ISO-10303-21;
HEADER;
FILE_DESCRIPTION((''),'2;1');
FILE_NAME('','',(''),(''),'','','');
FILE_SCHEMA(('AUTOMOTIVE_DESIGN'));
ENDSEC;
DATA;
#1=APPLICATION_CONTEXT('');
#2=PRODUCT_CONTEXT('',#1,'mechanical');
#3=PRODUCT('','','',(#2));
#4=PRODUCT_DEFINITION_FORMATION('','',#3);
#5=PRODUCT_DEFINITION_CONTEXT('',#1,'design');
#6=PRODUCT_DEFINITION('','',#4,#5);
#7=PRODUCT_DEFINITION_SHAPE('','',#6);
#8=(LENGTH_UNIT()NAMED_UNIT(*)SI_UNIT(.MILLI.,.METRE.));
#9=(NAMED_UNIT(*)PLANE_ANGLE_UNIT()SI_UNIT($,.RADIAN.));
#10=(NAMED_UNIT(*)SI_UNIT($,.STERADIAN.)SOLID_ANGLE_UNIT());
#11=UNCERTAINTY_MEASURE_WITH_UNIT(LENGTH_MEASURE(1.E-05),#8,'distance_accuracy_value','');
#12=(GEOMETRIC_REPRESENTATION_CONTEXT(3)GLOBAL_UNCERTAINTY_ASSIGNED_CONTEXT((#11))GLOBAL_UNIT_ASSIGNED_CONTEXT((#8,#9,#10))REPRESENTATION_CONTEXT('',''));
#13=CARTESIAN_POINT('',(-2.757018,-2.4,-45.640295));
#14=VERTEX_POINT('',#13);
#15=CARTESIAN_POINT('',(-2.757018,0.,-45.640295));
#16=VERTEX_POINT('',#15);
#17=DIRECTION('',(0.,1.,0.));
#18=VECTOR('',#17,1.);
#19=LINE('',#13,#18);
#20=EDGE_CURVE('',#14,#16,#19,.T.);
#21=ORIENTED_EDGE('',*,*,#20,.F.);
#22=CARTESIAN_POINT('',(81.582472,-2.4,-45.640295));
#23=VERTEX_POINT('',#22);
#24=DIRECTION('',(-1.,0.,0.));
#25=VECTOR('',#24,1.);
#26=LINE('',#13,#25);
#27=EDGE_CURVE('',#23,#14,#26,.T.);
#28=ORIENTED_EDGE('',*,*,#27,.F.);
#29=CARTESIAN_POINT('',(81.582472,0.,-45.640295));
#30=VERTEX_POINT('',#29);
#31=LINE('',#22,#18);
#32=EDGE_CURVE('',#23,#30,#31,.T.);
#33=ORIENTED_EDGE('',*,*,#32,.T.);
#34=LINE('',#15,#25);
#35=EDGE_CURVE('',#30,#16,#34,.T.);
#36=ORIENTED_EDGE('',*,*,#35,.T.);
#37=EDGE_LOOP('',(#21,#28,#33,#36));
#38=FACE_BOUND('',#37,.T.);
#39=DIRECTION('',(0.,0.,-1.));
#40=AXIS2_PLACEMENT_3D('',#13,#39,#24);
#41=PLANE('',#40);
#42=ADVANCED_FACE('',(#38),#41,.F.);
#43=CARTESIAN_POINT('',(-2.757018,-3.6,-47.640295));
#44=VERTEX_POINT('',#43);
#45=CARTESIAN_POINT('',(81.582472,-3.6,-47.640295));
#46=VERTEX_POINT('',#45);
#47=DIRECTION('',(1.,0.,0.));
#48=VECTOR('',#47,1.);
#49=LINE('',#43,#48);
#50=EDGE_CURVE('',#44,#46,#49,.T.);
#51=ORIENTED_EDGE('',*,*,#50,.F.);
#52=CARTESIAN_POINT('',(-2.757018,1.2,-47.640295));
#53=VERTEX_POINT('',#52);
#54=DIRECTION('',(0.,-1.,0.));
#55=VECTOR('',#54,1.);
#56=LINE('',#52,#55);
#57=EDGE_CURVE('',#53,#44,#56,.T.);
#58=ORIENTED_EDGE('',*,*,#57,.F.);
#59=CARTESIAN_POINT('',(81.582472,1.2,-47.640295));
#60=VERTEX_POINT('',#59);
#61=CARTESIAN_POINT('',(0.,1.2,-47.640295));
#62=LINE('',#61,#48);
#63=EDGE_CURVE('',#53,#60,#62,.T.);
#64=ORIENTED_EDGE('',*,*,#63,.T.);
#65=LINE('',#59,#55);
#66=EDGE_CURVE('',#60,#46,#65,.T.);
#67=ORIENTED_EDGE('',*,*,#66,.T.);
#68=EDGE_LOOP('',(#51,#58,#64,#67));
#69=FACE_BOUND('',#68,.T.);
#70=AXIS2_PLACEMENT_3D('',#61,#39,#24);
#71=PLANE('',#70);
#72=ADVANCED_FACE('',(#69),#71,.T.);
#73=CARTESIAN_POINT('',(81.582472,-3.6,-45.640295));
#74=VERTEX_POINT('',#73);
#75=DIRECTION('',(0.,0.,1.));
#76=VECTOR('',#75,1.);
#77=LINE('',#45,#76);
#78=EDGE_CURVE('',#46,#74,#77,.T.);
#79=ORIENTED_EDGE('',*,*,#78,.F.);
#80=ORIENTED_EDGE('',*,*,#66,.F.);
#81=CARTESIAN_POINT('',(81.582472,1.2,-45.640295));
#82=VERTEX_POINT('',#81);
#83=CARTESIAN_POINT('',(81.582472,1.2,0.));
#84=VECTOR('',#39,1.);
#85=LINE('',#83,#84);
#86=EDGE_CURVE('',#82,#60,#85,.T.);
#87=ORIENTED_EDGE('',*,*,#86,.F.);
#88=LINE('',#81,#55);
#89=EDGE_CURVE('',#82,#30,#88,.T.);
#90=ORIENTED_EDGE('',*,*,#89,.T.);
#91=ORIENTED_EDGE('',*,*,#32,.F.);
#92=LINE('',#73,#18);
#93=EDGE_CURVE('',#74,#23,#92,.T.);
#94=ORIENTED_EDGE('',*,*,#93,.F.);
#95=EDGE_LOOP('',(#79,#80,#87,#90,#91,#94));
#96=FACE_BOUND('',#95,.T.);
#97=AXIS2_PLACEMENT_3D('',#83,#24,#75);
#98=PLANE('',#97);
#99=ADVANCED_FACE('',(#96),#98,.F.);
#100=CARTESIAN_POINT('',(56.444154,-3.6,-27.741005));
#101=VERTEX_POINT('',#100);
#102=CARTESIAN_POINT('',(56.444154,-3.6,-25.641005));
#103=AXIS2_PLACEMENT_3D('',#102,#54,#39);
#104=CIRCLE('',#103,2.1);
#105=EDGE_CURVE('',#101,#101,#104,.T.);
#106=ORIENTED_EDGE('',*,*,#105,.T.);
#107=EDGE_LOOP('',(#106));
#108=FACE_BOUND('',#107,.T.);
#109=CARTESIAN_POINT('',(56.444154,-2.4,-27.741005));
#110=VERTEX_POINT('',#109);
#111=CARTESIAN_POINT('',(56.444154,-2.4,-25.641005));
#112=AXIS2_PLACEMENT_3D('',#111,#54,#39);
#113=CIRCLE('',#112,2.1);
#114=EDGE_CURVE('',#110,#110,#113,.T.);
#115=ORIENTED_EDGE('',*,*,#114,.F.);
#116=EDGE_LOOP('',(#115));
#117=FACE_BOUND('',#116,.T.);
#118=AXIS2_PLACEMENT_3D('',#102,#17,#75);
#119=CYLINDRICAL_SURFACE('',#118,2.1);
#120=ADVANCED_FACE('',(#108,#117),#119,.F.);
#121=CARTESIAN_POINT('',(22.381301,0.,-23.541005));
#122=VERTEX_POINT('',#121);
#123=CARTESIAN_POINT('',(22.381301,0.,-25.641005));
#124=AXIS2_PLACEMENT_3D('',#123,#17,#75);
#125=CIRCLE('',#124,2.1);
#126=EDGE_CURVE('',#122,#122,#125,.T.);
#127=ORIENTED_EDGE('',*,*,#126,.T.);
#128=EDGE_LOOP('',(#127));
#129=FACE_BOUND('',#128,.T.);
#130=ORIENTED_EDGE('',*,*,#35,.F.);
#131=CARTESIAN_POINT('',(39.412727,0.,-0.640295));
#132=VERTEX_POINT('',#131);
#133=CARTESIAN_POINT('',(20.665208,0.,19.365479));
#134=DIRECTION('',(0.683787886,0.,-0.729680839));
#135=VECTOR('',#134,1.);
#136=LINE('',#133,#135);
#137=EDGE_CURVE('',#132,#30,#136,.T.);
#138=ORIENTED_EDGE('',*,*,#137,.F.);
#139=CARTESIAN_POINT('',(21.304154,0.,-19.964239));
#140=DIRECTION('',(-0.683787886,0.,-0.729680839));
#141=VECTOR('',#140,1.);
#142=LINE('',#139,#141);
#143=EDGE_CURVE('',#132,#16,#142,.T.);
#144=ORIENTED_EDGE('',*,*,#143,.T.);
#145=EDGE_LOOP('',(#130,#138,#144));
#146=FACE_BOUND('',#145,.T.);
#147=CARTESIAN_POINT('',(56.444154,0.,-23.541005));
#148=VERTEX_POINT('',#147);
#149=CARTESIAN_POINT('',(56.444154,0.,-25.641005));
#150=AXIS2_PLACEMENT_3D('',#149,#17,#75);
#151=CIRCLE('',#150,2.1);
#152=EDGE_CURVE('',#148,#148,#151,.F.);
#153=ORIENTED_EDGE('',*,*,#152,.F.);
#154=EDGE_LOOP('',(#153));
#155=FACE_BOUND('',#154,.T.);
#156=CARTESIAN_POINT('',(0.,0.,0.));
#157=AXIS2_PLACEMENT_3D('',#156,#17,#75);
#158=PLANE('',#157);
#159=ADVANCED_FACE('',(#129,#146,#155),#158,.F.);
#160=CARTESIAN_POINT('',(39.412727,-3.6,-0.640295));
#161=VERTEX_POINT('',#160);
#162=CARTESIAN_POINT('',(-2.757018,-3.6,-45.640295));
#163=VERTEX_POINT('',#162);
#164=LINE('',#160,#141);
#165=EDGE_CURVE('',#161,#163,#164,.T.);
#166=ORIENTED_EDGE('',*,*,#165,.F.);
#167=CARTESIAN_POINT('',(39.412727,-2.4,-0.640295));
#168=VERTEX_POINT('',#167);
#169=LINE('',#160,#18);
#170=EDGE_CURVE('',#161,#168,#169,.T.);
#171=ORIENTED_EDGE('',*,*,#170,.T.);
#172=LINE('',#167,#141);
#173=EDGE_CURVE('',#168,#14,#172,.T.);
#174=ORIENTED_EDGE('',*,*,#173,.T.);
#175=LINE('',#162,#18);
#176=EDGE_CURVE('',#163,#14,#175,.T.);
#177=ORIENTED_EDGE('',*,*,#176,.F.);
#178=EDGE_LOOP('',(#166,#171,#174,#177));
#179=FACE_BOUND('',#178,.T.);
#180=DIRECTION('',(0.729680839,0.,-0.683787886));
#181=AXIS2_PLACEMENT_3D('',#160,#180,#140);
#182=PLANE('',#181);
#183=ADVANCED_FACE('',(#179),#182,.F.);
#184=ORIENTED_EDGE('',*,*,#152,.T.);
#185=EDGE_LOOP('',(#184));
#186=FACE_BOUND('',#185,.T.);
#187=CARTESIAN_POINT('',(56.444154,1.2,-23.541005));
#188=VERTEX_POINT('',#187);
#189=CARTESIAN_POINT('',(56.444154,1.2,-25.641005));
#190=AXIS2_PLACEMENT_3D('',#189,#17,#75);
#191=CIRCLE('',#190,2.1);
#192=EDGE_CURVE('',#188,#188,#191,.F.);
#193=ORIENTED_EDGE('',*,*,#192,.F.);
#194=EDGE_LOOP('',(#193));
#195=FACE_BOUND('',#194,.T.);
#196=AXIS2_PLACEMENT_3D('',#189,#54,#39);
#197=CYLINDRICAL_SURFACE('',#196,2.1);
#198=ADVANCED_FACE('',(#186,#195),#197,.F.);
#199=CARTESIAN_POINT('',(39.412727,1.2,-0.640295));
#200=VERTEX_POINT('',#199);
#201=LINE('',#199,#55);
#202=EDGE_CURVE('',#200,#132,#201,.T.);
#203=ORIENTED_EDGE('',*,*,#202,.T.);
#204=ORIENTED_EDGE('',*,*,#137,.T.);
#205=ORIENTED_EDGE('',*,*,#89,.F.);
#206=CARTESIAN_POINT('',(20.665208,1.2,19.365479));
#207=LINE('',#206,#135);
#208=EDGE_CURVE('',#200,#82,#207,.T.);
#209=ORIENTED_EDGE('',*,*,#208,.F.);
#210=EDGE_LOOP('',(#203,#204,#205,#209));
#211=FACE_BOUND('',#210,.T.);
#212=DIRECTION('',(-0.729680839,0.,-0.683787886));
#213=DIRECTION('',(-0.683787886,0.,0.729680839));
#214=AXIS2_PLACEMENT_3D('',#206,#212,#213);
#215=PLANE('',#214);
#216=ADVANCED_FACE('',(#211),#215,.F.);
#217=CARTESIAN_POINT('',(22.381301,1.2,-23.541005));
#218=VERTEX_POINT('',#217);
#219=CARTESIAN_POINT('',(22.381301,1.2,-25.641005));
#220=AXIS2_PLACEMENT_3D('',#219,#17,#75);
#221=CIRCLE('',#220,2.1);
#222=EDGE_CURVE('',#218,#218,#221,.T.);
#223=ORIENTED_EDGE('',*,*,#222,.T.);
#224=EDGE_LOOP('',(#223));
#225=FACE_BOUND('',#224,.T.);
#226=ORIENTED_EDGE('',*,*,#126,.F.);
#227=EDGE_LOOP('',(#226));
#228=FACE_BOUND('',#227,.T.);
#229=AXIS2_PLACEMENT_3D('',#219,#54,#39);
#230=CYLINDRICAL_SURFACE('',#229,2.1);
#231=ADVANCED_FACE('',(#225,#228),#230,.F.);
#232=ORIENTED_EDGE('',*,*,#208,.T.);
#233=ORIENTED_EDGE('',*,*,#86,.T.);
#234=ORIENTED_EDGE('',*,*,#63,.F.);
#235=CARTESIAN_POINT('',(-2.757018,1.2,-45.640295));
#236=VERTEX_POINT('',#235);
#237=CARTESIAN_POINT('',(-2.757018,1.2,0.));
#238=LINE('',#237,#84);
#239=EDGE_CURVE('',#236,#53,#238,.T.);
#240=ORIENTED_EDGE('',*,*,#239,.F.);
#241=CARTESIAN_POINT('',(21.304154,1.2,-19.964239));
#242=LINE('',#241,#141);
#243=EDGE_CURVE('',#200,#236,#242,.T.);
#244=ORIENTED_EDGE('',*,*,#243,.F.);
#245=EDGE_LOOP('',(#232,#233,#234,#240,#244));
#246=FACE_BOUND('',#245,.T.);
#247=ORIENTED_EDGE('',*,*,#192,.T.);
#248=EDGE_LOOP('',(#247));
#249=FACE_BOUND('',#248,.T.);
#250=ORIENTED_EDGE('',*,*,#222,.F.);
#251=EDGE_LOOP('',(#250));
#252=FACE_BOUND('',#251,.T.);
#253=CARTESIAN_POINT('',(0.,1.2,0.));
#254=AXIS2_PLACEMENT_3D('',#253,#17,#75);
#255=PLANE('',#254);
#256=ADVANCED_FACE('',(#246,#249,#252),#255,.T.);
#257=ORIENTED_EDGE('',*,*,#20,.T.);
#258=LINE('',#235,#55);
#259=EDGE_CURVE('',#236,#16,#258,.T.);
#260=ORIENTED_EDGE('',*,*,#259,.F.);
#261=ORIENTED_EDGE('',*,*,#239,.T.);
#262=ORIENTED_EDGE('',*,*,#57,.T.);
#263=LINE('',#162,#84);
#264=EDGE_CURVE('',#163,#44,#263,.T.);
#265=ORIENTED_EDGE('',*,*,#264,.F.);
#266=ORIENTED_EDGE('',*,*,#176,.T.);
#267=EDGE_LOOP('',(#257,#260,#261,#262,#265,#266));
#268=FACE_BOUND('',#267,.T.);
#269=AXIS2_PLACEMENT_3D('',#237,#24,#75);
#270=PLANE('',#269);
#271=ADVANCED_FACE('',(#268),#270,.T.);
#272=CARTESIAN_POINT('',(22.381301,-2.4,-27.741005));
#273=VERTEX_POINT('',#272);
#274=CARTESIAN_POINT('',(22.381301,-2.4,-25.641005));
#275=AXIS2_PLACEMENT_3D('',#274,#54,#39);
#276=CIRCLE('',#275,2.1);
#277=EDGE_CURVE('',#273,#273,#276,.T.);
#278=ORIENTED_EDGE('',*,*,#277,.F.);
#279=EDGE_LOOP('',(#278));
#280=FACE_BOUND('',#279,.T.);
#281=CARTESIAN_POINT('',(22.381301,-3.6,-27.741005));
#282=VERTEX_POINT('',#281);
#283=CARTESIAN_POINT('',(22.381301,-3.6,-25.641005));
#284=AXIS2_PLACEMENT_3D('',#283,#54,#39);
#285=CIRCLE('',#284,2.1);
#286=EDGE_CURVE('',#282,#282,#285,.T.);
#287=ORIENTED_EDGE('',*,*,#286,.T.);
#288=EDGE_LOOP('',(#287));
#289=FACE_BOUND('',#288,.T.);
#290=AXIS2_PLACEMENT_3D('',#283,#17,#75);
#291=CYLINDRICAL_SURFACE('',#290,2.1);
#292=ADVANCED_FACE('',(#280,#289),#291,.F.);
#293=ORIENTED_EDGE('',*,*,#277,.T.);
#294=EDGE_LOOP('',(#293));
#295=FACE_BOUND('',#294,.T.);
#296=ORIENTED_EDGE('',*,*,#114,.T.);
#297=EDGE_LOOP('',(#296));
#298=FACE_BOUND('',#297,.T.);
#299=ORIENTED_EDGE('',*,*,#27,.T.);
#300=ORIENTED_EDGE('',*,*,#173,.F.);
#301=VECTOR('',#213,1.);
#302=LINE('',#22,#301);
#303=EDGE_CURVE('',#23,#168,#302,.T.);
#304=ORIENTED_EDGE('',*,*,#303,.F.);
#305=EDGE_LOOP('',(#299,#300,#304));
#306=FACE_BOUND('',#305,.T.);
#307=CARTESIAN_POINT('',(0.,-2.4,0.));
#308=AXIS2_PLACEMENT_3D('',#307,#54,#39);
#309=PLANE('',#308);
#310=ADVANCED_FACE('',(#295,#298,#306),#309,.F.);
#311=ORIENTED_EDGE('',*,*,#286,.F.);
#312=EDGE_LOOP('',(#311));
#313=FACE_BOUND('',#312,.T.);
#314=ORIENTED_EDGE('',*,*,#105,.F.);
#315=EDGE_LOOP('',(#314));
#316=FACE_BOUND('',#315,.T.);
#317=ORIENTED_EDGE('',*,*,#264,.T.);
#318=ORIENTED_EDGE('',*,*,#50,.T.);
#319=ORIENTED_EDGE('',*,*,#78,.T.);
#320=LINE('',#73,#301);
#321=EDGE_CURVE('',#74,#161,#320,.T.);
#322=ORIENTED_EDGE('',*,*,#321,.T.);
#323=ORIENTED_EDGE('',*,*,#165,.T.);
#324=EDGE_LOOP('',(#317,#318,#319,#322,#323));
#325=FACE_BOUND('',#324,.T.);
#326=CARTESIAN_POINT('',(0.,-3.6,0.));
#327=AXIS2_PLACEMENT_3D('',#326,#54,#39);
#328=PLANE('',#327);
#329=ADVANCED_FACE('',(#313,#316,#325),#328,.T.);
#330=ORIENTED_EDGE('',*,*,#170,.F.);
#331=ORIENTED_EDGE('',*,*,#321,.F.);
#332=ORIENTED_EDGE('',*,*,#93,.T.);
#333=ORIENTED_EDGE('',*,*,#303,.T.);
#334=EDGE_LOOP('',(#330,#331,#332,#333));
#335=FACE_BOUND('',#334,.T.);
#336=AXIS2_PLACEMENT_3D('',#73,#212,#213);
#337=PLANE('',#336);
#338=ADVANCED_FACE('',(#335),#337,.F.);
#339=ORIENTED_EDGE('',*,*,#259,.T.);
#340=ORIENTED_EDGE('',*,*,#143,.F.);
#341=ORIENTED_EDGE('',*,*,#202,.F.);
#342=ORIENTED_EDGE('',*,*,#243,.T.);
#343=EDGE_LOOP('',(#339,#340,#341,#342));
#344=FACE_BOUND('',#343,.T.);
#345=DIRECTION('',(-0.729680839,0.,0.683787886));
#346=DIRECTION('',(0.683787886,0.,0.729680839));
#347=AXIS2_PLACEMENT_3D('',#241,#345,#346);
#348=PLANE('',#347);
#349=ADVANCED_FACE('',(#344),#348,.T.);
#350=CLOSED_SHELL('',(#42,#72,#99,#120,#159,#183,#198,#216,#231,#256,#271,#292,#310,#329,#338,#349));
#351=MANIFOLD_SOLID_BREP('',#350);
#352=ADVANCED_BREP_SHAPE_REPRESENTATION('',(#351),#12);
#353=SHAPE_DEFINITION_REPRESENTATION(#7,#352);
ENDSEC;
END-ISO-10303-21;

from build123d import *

# Parameters (mm, degrees)
SKETCH4_R           = 2.1
BOSS_EXTRUDE3_DEPTH = 1.2
SKETCH5_W           = 84.339489928
SKETCH5_H           = 2
BOSS_EXTRUDE4_DEPTH = 2.4
SKETCH6_R           = 2.1
BOSS_EXTRUDE5_DEPTH = 1.2


with BuildPart() as part:
    # Sketch4 → Boss-Extrude3 (new body)
    with BuildSketch(Plane(origin=(0, 0, 0), x_dir=(1, 0, 0), z_dir=(0, 1, 0))):
        Polygon((39.4127274, 47.640295112), (-2.757017564, 47.640295112), (-2.757017564, 45.640295112), (39.4127274, 0.640295112), align=None)
        with Locations((22.381300815, 25.64100497)):
            Circle(SKETCH4_R, mode=Mode.SUBTRACT)
        Polygon((81.582472364, 47.640295112), (39.4127274, 47.640295112), (39.4127274, 0.640295112), (81.582472364, 45.640295112), align=None)
        with Locations((56.444153985, 25.64100497)):
            Circle(SKETCH4_R, mode=Mode.SUBTRACT)
    extrude(amount=BOSS_EXTRUDE3_DEPTH)

    # Sketch5 → Boss-Extrude4 (add)
    with BuildSketch(Plane(origin=(0, 0, 0), x_dir=(-1, 0, 0), z_dir=(0, -1, 0))):
        with Locations((-39.4127274, 46.640295112)):
            Rectangle(SKETCH5_W, SKETCH5_H)
    extrude(amount=BOSS_EXTRUDE4_DEPTH)

    # Sketch6 → Boss-Extrude5 (add)
    with BuildSketch(Plane(origin=(0, -2.4, 0), x_dir=(-1, 0, 0), z_dir=(0, -1, 0))):
        Polygon((2.757017564, 47.640295112), (-81.582472364, 47.640295112), (-81.582472364, 45.640295112), (-39.4127274, 0.640295112), (2.757017564, 45.640295112), align=None)
        with Locations((-22.381300815, 25.64100497)):
            Circle(SKETCH6_R, mode=Mode.SUBTRACT)
        with Locations((-56.444153985, 25.64100497)):
            Circle(SKETCH6_R, mode=Mode.SUBTRACT)
    extrude(amount=BOSS_EXTRUDE5_DEPTH)


solid = part.part
